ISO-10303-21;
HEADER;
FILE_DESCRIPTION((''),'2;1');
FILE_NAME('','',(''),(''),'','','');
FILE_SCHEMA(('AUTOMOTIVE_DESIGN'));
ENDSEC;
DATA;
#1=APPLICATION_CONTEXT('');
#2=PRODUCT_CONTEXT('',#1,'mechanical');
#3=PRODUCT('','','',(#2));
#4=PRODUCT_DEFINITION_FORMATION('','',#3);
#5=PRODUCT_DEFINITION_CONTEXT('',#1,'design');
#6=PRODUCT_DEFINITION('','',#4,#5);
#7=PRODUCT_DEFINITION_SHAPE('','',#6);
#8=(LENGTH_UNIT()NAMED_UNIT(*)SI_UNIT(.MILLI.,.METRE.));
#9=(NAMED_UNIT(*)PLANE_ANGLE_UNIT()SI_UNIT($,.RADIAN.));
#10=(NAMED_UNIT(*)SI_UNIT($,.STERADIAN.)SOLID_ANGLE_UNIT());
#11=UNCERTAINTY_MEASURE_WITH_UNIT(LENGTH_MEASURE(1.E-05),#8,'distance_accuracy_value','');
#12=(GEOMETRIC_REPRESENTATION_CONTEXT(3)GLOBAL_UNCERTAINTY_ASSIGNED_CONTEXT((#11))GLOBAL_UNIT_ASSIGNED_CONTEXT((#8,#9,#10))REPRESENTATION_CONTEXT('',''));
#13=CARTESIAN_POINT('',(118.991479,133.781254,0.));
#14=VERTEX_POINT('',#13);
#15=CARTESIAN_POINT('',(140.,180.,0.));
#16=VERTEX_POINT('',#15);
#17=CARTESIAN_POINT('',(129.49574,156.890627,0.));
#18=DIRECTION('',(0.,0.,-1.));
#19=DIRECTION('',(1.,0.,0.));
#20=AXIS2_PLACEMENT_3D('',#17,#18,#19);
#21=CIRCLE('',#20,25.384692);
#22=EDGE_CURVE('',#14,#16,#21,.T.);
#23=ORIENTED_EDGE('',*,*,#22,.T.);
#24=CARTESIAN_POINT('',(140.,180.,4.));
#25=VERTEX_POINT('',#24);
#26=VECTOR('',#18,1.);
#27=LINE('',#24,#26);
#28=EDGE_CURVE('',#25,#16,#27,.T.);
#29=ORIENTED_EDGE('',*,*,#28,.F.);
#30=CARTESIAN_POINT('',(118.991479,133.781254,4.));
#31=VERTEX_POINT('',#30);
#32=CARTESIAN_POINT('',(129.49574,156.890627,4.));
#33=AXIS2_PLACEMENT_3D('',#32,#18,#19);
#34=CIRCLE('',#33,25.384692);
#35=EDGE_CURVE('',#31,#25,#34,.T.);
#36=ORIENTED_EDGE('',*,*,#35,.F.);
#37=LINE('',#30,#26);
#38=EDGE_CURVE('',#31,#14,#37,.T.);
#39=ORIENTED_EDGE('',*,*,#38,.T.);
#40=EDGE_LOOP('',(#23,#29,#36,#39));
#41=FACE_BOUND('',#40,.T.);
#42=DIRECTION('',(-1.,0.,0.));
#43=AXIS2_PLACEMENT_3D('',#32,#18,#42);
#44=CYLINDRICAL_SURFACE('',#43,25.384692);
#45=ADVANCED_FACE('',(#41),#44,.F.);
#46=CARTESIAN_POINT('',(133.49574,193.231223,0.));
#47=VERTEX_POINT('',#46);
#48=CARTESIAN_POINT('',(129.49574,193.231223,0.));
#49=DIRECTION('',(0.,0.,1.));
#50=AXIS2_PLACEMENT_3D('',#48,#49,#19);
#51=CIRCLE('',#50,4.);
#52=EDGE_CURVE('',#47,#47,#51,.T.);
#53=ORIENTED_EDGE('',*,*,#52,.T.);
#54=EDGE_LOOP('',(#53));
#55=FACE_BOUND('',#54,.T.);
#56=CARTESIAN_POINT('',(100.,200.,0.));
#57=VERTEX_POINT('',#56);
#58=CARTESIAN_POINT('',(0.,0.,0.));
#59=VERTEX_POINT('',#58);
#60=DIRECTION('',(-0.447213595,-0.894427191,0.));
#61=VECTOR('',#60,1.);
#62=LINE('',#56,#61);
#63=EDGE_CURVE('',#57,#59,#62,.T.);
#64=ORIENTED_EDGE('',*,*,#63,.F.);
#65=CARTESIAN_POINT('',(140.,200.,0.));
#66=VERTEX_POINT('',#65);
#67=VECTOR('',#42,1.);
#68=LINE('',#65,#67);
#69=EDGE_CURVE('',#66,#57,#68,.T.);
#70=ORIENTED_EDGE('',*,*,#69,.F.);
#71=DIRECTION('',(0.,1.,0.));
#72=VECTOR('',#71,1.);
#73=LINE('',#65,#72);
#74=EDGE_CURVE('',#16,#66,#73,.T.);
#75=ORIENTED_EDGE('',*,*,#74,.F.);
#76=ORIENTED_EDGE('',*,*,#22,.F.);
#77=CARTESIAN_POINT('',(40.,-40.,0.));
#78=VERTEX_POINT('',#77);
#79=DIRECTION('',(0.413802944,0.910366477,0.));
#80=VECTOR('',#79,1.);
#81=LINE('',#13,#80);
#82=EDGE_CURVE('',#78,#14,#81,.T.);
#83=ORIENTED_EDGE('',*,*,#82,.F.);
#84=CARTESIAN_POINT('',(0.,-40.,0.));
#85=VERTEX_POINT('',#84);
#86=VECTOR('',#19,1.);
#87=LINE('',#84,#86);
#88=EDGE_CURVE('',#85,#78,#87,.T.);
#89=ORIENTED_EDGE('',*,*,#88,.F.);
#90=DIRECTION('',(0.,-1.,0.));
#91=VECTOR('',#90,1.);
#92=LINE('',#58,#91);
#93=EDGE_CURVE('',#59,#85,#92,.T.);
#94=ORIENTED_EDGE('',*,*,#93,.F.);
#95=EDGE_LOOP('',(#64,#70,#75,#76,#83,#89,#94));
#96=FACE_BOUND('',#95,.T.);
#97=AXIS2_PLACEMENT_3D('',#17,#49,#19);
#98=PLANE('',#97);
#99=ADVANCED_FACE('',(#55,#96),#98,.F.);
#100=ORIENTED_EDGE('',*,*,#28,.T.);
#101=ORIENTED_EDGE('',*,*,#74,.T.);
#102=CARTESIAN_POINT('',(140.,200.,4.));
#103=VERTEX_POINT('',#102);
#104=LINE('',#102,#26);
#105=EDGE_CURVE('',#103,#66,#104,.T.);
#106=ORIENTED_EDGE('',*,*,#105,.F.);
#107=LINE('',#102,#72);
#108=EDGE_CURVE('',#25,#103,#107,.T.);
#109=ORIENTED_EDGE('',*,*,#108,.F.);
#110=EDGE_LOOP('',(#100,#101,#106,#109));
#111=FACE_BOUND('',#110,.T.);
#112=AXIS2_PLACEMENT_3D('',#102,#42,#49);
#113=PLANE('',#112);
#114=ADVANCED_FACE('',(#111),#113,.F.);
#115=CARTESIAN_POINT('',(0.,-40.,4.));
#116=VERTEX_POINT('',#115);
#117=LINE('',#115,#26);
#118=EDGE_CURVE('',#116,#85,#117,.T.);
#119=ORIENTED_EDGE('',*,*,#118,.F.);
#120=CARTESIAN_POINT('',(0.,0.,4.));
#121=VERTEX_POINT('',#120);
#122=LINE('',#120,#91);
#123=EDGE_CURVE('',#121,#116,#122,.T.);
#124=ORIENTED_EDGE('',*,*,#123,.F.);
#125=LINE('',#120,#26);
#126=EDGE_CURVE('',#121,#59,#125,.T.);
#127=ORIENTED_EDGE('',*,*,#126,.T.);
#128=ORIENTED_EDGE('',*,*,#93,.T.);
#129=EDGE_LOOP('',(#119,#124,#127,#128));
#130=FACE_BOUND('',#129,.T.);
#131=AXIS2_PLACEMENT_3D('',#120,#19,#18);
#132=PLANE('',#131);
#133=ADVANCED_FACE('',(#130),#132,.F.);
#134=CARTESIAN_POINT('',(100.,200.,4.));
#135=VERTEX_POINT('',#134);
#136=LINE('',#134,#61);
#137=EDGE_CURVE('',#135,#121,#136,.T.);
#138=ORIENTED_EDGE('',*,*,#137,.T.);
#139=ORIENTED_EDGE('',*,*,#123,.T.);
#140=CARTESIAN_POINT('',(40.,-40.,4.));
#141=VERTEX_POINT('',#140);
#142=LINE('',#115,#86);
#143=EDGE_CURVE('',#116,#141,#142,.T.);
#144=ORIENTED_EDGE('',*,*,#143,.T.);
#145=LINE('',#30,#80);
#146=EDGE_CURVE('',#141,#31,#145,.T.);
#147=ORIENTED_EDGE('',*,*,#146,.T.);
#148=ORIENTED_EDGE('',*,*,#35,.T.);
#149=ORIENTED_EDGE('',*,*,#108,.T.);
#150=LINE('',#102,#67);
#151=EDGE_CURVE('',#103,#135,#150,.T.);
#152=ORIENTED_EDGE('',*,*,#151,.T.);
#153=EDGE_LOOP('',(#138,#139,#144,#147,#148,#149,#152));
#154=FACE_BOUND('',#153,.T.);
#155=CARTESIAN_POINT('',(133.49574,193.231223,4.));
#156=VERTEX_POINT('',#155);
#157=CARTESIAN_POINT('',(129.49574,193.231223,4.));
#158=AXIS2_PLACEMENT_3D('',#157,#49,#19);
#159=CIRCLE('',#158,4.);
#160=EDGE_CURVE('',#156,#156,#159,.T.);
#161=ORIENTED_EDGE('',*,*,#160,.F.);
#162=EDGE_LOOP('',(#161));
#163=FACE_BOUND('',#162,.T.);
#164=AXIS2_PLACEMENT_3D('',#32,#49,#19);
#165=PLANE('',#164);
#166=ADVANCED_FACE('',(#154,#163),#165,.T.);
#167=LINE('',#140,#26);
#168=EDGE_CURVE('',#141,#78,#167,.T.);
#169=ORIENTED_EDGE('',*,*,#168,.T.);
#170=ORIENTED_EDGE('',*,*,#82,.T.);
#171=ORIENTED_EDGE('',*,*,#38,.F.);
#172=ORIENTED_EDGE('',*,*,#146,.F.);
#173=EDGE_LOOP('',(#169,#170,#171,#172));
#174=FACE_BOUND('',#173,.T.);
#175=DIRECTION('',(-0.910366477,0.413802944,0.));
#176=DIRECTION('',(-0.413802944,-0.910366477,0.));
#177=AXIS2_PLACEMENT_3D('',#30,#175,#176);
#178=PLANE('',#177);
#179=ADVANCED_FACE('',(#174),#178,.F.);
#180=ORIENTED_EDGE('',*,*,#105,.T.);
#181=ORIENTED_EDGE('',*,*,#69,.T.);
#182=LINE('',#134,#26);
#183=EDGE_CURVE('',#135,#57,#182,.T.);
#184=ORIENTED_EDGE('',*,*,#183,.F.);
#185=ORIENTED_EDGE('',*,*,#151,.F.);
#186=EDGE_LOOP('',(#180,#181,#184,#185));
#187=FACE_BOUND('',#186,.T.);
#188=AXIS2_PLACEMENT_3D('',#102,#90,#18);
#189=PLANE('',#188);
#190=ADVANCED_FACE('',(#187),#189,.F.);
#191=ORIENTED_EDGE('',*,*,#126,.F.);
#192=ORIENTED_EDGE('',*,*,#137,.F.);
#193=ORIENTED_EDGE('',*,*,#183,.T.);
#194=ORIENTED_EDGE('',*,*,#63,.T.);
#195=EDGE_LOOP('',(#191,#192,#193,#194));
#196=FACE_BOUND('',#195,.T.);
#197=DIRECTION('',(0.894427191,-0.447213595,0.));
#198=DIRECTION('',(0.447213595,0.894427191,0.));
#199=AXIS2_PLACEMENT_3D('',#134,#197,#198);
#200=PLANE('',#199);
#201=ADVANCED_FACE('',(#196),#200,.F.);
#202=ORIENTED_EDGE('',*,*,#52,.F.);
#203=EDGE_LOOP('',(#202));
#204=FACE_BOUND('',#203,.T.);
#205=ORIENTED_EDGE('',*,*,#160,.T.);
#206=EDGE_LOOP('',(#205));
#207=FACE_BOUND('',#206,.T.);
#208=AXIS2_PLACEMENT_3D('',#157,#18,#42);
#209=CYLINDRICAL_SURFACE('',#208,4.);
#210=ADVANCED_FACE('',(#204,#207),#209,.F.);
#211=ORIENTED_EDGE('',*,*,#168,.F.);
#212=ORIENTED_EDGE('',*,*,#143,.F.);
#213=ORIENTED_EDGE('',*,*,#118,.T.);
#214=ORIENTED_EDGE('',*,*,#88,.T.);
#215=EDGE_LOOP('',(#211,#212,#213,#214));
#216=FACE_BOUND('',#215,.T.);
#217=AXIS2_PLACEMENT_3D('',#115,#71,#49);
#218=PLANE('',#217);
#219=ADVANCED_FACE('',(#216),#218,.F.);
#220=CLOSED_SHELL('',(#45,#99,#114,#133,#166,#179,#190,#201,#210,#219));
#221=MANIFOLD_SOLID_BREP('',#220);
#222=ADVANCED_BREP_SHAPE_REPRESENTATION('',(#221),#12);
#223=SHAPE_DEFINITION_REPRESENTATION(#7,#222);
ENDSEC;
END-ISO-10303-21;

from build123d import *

# Parameters (mm, degrees)
SKETCH1_R           = 4
BOSS_EXTRUDE1_DEPTH = 4


with BuildPart() as part:
    # Sketch1 → Boss-Extrude1 (new body)
    with BuildSketch(Plane.XY):
        with BuildLine():
            Line((0, 0), (0, -40))
            Line((0, -40), (40, -40))
            Line((40, -40), (118.991479096, 133.781254012))
            ThreePointArc((118.991479096, 133.781254012), (106.386366554, 167.394887458), (140, 180))
            Line((140, 180), (140, 200))
            Line((140, 200), (100, 200))
            Line((100, 200), (0, 0))
        make_face()
        with Locations((129.495739548, 193.231222879)):
            Circle(SKETCH1_R, mode=Mode.SUBTRACT)
    extrude(amount=BOSS_EXTRUDE1_DEPTH)


solid = part.part
